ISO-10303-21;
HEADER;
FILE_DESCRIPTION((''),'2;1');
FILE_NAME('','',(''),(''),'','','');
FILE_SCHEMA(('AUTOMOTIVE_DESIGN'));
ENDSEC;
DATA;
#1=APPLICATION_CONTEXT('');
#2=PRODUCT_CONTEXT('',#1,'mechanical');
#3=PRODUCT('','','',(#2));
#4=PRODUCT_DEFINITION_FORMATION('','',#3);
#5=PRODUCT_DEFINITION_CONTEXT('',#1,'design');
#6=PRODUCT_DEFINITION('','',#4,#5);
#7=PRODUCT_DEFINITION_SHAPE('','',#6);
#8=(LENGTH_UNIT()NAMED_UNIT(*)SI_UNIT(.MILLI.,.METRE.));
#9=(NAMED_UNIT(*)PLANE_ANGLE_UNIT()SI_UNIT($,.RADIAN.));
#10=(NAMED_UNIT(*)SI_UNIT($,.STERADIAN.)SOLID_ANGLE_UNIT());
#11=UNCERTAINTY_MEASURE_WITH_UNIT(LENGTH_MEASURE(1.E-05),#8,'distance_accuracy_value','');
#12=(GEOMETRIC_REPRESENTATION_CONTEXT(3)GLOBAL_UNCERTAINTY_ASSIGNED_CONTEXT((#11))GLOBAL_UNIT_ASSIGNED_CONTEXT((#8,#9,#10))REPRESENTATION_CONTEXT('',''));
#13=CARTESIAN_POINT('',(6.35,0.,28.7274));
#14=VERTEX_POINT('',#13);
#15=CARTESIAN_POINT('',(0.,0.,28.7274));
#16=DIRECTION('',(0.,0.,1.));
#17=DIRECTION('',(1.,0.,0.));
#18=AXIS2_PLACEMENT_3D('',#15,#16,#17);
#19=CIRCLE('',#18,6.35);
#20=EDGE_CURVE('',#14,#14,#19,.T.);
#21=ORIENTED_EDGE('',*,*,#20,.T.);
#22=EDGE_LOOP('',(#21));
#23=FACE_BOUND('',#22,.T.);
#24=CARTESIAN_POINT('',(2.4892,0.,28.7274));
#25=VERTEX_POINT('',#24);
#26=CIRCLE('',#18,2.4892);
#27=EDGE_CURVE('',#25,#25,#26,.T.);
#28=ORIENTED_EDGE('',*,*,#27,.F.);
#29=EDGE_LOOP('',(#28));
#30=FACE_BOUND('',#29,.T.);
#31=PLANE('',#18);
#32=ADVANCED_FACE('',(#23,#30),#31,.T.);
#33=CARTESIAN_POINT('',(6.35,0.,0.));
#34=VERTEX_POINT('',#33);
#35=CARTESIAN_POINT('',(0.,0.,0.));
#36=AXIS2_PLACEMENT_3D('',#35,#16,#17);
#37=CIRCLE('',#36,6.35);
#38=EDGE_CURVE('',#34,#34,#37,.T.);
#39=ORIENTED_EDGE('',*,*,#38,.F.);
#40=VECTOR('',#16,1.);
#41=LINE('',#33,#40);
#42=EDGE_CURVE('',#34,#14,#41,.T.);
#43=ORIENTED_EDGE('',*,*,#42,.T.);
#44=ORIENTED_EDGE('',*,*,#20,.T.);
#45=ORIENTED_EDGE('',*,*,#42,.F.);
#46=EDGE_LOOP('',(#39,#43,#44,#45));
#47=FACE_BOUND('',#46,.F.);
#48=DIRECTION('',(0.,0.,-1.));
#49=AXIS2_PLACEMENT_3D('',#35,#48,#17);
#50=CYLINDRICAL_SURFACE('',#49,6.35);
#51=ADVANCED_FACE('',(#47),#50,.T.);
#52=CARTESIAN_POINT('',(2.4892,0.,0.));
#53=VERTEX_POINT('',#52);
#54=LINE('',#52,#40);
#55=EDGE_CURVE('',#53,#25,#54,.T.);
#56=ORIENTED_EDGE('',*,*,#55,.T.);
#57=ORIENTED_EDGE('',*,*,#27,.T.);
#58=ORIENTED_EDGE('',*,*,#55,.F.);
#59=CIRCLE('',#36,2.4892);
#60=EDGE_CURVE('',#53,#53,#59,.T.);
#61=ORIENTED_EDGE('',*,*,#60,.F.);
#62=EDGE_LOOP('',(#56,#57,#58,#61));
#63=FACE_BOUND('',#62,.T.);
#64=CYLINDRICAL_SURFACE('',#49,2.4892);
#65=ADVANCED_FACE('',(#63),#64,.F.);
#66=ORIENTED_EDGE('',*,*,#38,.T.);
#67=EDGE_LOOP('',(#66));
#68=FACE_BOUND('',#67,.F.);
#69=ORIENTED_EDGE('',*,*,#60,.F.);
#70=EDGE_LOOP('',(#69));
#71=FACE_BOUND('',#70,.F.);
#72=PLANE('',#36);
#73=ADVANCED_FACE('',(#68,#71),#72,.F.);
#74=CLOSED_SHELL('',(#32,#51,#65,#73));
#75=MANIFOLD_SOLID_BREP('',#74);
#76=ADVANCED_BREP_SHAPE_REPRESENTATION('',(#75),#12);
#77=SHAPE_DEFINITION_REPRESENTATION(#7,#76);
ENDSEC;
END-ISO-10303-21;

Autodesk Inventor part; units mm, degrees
ref_plane "YZ Plane" through (0, 0, 0) normal (1, 0, 0) x (0, 1, 0)
ref_plane "XZ Plane" through (0, 0, 0) normal (0, 1, 0) x (-1, 0, 0)
ref_plane "XY Plane" through (0, 0, 0) normal (0, 0, 1) x (1, 0, 0)
sketch "Sketch1" plane through (0, 0, 0) normal (0, 0, 1) x (1, 0, 0)
  circle A0 centre (0, 0) radius 2.4892
  circle A1 centre (0, 0) radius 6.35
  dimension "d0" = 4.9784
  dimension "d1" = 12.7
extrude "Extrusion1" add sketch "Sketch1" along normal blind 28.7274
properties part number "standoff_1.131inches" material "Aluminum 6061"
